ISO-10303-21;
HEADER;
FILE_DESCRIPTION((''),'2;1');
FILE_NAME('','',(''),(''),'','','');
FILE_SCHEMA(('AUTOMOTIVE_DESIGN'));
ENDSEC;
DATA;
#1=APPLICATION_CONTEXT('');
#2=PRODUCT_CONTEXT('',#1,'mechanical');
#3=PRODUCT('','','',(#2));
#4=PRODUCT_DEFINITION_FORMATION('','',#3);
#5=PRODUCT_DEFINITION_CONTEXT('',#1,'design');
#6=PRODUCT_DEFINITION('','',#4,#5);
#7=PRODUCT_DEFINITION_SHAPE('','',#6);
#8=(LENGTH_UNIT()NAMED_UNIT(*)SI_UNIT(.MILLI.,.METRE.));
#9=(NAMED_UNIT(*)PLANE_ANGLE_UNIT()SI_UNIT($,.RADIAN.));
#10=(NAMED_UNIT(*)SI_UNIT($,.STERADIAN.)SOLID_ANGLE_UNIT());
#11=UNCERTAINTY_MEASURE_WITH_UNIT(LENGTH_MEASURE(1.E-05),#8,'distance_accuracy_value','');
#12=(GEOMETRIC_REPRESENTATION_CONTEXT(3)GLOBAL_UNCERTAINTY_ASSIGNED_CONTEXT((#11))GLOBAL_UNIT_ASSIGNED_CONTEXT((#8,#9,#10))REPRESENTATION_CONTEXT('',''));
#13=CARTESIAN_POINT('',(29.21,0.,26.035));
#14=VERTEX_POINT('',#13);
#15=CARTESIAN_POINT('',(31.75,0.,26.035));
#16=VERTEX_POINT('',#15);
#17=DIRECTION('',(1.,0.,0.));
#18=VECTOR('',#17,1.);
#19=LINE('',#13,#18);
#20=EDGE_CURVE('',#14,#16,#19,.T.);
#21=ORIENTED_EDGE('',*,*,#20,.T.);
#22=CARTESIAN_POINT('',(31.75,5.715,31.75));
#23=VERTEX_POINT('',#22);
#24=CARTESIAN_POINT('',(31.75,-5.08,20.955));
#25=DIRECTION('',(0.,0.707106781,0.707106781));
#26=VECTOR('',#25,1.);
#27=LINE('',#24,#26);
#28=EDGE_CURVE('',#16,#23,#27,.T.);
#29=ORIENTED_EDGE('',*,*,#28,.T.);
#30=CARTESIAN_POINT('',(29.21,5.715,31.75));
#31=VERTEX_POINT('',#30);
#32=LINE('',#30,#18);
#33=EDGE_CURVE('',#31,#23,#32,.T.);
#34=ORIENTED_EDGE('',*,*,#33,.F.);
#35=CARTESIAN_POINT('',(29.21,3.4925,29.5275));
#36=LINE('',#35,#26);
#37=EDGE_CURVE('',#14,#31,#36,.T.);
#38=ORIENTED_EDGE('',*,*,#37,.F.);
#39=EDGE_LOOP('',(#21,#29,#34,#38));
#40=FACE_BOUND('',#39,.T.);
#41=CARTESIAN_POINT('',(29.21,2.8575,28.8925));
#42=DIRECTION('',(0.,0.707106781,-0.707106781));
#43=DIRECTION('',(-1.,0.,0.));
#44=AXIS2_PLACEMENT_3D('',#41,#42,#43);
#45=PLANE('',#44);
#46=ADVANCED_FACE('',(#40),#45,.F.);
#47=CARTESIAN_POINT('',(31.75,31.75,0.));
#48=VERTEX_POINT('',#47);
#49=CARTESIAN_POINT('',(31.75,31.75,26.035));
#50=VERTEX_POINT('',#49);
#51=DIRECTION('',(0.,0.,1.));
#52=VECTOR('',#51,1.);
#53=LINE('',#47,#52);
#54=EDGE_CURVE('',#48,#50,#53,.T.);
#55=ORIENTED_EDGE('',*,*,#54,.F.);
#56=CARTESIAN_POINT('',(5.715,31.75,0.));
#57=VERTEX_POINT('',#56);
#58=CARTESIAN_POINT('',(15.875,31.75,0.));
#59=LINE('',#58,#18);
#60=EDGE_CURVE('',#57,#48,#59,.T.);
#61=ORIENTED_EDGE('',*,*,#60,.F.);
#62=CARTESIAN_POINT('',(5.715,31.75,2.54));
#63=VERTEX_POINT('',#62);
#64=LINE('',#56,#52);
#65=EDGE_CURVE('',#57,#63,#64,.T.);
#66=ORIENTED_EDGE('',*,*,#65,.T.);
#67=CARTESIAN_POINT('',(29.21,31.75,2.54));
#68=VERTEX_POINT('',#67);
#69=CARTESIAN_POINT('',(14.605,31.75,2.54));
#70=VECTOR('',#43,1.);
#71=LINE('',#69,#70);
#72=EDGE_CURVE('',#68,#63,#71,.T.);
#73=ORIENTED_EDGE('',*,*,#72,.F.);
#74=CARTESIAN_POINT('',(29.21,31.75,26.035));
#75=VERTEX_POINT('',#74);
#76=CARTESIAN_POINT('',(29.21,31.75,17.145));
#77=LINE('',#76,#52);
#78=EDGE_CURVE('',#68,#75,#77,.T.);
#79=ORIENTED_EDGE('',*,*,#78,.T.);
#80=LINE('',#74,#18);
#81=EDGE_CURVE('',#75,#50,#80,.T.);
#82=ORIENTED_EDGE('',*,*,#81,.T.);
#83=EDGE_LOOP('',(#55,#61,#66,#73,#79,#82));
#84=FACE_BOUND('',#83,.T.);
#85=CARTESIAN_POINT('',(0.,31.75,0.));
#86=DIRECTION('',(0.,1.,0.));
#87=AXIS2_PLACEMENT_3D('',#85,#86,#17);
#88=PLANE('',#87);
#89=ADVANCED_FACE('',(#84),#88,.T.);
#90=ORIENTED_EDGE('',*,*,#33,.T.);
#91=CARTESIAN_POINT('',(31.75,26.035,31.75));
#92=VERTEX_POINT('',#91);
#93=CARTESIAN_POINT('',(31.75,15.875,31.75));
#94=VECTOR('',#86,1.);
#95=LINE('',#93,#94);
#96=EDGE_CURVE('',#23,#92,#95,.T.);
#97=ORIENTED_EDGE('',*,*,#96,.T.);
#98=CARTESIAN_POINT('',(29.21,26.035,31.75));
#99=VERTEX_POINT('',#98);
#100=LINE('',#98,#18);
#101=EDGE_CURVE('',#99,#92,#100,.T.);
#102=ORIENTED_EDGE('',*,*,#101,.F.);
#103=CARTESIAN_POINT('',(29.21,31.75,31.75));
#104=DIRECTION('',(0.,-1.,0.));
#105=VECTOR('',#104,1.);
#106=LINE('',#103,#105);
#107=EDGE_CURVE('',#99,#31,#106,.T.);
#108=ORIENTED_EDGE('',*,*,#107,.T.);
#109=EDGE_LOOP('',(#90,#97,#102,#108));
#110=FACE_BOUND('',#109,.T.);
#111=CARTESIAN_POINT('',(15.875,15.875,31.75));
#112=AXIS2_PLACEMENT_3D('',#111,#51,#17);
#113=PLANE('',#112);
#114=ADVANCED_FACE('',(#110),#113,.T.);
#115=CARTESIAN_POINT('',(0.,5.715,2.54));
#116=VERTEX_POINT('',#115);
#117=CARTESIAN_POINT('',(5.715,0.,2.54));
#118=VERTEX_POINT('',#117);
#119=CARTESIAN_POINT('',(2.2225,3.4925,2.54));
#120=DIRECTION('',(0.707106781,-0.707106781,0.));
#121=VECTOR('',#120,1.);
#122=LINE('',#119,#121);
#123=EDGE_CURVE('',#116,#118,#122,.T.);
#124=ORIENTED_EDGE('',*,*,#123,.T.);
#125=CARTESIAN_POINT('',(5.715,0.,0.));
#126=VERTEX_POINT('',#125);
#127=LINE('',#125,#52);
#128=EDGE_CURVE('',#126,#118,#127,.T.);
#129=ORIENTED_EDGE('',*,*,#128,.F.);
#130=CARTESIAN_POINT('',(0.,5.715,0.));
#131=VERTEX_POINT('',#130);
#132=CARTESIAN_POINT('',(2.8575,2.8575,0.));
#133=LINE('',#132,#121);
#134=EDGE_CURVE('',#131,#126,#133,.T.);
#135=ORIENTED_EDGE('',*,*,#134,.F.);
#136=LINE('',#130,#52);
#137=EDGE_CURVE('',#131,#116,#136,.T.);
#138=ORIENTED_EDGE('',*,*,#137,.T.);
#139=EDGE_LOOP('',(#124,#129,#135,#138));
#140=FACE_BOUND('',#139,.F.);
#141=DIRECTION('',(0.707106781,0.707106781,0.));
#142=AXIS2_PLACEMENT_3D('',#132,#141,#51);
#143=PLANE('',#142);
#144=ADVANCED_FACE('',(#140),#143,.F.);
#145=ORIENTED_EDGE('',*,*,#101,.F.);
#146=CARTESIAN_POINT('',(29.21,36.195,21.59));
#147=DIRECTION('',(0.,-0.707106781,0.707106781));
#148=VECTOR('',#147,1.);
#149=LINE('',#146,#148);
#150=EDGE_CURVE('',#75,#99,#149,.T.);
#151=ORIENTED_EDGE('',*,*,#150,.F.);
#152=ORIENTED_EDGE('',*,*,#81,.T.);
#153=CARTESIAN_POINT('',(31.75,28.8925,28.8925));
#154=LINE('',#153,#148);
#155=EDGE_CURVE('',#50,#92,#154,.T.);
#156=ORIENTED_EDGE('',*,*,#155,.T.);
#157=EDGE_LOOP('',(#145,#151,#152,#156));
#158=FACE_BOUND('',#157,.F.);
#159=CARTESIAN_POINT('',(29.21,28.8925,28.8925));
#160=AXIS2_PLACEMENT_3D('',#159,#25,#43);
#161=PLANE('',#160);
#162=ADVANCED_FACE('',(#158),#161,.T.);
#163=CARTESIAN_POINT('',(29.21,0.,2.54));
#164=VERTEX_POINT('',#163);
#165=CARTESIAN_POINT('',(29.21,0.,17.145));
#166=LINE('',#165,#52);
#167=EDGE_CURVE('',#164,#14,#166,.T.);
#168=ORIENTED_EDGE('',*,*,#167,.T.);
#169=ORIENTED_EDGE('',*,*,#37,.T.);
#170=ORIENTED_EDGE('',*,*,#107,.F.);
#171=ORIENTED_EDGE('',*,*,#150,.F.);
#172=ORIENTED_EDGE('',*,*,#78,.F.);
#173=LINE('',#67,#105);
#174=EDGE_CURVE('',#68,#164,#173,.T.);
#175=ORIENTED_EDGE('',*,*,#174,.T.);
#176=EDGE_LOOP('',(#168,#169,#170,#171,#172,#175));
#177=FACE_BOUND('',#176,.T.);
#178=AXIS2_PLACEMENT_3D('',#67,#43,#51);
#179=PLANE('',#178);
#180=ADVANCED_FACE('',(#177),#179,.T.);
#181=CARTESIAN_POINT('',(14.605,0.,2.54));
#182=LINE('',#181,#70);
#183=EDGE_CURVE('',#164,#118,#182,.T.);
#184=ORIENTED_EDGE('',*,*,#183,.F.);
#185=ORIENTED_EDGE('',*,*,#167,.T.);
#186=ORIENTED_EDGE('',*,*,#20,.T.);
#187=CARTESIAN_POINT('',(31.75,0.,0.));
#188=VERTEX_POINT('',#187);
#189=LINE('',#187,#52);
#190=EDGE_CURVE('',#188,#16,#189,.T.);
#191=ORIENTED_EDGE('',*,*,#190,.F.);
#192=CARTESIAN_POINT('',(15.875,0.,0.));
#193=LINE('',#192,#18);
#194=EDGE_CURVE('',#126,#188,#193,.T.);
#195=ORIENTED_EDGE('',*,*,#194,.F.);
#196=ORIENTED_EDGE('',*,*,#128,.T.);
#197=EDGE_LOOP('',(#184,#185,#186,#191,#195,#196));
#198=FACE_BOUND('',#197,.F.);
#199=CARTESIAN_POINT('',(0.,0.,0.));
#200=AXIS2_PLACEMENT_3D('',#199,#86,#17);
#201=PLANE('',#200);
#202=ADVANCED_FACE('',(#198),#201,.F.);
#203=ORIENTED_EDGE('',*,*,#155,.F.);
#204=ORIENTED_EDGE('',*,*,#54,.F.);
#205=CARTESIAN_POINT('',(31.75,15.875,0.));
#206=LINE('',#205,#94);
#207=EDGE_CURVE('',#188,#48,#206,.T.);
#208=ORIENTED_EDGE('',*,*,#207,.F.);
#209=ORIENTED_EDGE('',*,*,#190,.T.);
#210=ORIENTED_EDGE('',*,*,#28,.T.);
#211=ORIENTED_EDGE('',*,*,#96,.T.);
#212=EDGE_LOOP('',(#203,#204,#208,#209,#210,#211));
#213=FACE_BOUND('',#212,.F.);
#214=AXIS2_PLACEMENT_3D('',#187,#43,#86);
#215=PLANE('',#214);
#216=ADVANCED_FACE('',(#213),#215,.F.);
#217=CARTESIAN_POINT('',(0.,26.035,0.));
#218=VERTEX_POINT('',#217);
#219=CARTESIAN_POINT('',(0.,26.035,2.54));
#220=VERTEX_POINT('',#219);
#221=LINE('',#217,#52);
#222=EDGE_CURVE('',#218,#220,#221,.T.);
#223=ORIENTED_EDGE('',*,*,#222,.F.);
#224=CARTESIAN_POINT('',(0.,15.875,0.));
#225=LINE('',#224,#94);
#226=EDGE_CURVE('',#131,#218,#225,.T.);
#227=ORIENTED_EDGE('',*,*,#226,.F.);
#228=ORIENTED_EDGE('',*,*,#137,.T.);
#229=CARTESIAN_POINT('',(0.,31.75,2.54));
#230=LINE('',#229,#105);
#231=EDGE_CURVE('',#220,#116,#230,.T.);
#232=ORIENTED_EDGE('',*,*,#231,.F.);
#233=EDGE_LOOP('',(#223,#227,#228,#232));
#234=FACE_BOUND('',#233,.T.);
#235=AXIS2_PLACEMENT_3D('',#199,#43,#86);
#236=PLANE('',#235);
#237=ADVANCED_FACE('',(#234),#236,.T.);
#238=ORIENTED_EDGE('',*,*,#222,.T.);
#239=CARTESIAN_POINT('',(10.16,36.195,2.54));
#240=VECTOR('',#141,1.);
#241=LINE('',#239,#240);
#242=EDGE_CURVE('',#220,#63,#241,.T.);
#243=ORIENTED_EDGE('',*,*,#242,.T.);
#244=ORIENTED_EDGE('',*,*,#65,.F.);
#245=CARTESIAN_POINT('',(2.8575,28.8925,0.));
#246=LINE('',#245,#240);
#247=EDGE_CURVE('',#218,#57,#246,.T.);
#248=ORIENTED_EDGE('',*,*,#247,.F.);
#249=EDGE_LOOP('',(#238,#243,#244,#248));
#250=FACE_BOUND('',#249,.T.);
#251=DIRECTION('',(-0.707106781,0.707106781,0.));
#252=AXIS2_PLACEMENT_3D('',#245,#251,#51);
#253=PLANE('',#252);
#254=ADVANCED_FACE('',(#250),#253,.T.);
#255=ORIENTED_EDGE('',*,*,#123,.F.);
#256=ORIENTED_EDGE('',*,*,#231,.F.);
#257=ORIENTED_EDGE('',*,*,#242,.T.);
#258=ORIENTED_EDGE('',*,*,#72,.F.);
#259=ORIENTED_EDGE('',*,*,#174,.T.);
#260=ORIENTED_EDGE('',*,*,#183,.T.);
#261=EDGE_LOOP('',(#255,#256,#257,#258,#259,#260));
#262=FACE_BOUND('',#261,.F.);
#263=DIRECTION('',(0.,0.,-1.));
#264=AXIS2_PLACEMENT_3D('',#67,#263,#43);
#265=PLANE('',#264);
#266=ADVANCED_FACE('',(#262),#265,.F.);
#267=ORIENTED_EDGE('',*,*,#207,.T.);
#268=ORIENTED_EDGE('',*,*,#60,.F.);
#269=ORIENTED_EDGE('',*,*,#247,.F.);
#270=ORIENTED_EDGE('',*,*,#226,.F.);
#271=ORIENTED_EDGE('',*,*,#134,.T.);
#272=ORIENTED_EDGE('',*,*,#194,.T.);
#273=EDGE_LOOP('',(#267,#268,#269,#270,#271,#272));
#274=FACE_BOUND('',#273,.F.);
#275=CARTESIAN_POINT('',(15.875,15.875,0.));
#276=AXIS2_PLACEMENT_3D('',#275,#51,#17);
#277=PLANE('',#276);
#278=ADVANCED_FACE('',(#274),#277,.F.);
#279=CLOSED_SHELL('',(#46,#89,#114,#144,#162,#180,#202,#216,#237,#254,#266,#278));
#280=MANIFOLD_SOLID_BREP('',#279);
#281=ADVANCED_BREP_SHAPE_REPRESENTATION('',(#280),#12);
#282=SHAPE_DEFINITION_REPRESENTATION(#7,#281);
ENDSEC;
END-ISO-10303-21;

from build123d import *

# Parameters (mm, degrees)
F0_W     = 31.75
F0_H     = 31.75
F1_DEPTH = 31.75
F2_W     = 29.21
F2_H     = 29.21
F3_DEPTH = 31.75
F4_SIZE  = 5.715


with BuildPart() as f1:
    # F0 (on Top) → F1 (new body)
    with BuildSketch(Plane.XY):
        with Locations((15.875, 15.875)):
            Rectangle(F0_W, F0_H)
    extrude(amount=F1_DEPTH)

    # F2 (on face) → F3 (cut, through all)
    with BuildSketch(Plane(origin=(0, 31.75, 0), x_dir=(-1, 0, 0), z_dir=(0, 1, 0))):
        with Locations((-14.605, 17.145)):
            Rectangle(F2_W, F2_H)
    extrude(amount=-F3_DEPTH, mode=Mode.SUBTRACT)

    # F4
    f4_edges = [f1.edges().sort_by_distance(p)[0] for p in [
        (30.48, 31.75, 31.75),
        (30.48, 0, 31.75),
        (0, 0, 1.27),
        (0, 31.75, 1.27),
    ]]
    chamfer(f4_edges, length=F4_SIZE)


solid = f1.part
